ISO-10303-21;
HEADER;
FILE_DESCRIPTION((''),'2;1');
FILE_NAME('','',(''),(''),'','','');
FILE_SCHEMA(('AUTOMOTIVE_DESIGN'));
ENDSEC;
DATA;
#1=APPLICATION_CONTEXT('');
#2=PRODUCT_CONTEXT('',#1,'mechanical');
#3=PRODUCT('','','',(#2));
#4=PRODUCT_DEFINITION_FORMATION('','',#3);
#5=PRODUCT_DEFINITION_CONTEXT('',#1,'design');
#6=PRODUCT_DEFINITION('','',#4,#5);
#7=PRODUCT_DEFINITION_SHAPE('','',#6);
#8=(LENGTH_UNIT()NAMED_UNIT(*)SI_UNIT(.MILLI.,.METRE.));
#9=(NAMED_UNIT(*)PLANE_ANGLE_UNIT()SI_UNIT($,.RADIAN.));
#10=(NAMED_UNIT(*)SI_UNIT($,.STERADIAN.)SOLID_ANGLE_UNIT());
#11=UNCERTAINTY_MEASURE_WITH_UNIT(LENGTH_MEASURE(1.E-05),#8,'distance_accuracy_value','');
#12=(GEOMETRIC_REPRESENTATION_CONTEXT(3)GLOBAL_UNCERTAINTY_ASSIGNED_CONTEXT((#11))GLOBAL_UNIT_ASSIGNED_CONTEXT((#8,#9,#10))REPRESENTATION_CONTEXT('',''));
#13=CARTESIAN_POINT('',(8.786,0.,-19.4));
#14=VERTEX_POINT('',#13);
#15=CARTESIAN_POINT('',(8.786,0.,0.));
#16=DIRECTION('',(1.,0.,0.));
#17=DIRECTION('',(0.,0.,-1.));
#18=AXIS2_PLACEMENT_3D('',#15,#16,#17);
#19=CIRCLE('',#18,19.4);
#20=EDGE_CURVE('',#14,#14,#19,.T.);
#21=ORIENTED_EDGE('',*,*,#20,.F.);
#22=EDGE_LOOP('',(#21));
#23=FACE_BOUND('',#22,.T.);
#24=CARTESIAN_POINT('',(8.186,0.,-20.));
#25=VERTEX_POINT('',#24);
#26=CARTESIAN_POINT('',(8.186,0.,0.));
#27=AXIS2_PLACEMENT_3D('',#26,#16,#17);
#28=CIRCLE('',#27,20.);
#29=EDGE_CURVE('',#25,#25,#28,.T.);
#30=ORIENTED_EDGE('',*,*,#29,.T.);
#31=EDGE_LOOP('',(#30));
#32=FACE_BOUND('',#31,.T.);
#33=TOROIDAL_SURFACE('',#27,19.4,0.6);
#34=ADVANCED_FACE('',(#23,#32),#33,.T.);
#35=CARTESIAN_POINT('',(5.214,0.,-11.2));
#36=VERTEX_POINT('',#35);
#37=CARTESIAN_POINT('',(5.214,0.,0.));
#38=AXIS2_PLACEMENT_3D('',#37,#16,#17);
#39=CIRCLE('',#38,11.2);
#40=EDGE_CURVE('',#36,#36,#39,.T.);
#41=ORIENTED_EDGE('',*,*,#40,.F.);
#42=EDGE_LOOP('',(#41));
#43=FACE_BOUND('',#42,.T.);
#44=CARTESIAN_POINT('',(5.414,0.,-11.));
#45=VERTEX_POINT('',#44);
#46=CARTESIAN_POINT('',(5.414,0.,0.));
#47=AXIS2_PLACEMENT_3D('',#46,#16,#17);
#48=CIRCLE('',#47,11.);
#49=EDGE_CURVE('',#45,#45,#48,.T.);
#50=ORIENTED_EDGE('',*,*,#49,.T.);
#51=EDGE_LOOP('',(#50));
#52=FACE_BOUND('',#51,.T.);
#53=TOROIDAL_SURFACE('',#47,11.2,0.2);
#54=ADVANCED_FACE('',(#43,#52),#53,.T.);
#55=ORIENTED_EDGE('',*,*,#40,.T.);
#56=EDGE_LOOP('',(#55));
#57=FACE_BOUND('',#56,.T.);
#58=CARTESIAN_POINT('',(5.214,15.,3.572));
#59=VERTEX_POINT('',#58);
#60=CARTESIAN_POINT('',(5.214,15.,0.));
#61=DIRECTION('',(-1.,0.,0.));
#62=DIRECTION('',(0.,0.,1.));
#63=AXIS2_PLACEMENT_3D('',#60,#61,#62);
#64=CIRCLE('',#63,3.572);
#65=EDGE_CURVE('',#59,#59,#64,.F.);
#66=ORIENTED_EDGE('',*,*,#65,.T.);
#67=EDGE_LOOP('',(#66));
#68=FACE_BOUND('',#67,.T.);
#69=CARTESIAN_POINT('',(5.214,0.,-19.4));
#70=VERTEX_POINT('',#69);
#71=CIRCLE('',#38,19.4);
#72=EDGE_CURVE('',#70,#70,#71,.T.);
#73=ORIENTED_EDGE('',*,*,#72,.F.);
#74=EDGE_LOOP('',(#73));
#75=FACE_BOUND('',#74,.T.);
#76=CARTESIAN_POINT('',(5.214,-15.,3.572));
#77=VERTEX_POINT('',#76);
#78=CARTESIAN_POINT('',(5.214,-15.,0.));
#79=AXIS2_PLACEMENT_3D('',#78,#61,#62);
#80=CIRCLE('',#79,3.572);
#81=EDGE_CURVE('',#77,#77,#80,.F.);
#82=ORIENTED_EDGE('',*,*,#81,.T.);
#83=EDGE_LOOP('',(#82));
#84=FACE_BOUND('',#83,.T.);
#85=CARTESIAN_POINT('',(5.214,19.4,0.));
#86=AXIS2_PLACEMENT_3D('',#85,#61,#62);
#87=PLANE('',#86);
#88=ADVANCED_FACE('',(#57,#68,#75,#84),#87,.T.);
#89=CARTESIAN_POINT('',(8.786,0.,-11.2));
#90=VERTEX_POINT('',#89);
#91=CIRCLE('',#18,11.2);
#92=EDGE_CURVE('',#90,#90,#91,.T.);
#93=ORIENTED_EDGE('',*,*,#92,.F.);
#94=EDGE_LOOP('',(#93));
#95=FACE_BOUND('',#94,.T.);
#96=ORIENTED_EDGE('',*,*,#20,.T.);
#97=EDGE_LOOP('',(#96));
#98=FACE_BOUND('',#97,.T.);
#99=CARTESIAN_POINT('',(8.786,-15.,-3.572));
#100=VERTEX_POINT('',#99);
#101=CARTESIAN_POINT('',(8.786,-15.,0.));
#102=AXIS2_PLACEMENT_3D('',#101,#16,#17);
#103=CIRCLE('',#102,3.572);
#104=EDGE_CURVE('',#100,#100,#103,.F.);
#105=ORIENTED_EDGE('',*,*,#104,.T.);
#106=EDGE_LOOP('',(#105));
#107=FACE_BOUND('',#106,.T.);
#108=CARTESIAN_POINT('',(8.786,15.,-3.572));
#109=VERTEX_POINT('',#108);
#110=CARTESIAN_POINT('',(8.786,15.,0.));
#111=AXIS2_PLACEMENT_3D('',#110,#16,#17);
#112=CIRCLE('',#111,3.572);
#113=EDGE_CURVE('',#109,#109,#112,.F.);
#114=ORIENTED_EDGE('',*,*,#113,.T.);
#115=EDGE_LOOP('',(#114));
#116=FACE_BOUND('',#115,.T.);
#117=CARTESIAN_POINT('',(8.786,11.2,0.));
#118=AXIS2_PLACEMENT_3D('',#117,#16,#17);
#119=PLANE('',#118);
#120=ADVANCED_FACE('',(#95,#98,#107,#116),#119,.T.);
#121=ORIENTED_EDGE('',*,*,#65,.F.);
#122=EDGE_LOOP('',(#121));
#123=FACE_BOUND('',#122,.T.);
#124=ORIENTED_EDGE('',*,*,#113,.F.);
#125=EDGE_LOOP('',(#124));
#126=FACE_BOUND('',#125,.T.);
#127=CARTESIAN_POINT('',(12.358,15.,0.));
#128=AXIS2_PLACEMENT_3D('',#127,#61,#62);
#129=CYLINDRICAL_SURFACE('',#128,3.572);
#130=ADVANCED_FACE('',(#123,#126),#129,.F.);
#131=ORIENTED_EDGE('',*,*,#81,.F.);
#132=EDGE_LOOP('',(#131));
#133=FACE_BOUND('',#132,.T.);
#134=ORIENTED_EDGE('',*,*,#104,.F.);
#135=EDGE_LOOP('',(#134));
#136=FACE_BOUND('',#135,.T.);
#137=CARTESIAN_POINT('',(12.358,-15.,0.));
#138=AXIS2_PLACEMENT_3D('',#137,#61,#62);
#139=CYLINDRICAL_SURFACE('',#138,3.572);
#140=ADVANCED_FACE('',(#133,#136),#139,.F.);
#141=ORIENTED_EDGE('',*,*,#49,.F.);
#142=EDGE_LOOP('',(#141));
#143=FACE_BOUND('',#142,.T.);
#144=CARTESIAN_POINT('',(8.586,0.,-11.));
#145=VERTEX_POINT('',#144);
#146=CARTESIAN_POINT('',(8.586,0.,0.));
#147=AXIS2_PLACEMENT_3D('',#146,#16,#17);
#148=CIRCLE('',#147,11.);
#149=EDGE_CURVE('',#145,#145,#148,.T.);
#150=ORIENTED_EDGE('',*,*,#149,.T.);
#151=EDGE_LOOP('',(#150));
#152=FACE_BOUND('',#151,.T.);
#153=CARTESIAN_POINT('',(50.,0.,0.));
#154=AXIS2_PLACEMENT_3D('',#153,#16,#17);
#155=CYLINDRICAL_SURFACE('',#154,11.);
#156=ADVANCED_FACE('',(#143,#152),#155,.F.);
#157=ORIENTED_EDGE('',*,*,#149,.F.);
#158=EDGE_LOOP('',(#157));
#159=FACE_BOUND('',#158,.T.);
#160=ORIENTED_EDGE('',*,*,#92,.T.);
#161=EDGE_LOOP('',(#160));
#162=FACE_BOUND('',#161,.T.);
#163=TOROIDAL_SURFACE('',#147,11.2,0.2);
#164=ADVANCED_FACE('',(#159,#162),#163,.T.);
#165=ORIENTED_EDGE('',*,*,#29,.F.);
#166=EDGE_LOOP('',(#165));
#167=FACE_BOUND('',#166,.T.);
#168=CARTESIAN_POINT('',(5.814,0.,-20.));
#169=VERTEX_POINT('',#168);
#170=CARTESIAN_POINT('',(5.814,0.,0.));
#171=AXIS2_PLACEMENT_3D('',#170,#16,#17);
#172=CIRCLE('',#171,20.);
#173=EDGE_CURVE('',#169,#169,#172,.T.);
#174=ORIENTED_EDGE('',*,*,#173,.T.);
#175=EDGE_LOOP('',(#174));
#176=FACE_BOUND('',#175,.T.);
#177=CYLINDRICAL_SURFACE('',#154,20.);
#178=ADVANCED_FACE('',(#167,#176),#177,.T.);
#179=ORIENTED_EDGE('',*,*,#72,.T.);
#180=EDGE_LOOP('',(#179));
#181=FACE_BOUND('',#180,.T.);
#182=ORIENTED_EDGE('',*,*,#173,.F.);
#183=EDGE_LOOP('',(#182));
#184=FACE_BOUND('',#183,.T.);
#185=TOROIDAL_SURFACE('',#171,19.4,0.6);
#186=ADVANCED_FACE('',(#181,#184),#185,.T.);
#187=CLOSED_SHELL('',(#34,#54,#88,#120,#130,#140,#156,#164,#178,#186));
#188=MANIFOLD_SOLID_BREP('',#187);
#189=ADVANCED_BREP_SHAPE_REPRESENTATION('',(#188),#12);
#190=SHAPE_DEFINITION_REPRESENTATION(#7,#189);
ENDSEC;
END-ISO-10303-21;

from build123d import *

# Parameters (mm, degrees)
CROQUIS2_R     = 3.572
EXTRUIR1_DEPTH = 12.358
CROQUIS3_R     = 3.572
EXTRUIR2_DEPTH = 12.358


with BuildPart() as part:
    # Croquis1 → Revolución1 (revolve)
    with BuildSketch(Plane.XY):
        with BuildLine():
            Line((5.214, 19.4), (5.214, 11.2))
            ThreePointArc((5.214, 11.2), (5.272578644, 11.058578644), (5.414, 11))
            Line((5.414, 11), (8.586, 11))
            ThreePointArc((8.586, 11), (8.727421356, 11.058578644), (8.786, 11.2))
            Line((8.786, 11.2), (8.786, 19.4))
            ThreePointArc((8.786, 19.4), (8.610264069, 19.824264069), (8.186, 20))
            Line((8.186, 20), (5.814, 20))
            ThreePointArc((5.814, 20), (5.389735931, 19.824264069), (5.214, 19.4))
        make_face()
    revolve(axis=Axis((50, 0, 0), (-1, 0, 0)))

    # Croquis2 → Extruir1 (cut)
    with BuildSketch(Plane(origin=(0, 0, 0), x_dir=(0, 0, -1), z_dir=(1, 0, 0))):
        with Locations((0, 15)):
            Circle(CROQUIS2_R)
    extrude(amount=EXTRUIR1_DEPTH, mode=Mode.SUBTRACT)

    # Croquis3 → Extruir2 (cut)
    with BuildSketch(Plane(origin=(0, 0, 0), x_dir=(0, 0, -1), z_dir=(1, 0, 0))):
        with Locations((0, -15)):
            Circle(CROQUIS3_R)
    extrude(amount=EXTRUIR2_DEPTH, mode=Mode.SUBTRACT)


solid = part.part
